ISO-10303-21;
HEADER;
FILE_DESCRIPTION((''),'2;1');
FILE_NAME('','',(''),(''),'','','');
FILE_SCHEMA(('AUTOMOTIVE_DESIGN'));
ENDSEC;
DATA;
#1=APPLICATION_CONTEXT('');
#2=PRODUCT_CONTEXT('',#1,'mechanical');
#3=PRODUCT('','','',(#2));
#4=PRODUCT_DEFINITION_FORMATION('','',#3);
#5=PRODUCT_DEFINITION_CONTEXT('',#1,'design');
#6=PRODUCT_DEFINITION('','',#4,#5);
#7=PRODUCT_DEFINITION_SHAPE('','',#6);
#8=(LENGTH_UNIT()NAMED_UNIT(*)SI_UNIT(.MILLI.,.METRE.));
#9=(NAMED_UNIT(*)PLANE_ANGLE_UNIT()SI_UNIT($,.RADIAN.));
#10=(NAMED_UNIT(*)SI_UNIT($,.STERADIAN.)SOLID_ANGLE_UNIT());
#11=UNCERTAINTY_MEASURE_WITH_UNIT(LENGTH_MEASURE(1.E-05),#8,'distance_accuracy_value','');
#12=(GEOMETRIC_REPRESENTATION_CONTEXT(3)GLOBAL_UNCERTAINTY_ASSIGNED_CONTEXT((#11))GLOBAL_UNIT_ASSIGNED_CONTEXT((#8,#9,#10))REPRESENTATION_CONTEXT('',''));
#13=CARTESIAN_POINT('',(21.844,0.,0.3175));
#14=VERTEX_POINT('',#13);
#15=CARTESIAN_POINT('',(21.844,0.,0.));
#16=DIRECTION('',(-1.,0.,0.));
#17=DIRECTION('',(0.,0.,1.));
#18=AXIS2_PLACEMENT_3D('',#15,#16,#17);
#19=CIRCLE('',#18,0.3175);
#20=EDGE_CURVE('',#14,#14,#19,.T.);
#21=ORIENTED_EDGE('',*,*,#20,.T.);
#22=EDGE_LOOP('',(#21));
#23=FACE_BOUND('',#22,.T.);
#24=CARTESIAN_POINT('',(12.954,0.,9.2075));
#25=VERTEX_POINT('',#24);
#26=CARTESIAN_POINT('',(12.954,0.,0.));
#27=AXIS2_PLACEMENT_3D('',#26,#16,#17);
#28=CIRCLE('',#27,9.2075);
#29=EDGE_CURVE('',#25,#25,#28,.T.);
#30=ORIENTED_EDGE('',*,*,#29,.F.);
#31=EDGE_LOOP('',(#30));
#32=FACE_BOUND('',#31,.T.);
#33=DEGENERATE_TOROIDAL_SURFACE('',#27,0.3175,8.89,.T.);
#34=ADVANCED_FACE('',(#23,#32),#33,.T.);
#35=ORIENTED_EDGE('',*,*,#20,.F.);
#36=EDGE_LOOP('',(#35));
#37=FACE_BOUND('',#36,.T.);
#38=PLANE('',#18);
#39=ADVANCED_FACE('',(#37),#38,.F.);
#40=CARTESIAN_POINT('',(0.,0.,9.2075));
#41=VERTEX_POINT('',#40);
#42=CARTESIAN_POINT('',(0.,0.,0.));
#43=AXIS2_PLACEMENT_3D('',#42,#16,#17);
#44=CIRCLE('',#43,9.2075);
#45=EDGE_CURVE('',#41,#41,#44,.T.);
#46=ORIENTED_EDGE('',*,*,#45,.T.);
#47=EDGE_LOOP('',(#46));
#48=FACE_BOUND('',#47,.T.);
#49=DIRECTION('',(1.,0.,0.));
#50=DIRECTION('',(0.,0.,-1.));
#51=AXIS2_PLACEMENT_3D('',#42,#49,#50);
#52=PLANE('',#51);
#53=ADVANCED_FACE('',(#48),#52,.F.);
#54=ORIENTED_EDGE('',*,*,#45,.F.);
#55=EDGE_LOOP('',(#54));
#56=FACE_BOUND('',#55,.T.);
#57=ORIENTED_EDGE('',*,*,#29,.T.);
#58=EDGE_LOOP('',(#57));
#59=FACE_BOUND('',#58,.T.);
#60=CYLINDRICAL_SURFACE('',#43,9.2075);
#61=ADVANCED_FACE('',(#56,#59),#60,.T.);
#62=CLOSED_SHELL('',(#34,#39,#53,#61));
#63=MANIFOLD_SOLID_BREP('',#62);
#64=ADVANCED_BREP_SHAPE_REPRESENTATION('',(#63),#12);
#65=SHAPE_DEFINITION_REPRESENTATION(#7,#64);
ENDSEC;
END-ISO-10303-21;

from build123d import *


with BuildPart() as part:
    # Sketch1 → Revolve1 (revolve)
    with BuildSketch(Plane(origin=(0, 0, 0), x_dir=(1, 0, 0), z_dir=(0, 1, 0)), mode=Mode.PRIVATE) as revolve1_sk:
        with BuildLine():
            Line((0, 0), (21.844, 0))
            Line((21.844, 0), (21.844, 0.3175))
            ThreePointArc((21.844, 0.3175), (19.240179285, 6.603679285), (12.954, 9.2075))
            Line((12.954, 9.2075), (0, 9.2075))
            Line((0, 9.2075), (0, 0))
        make_face()
    revolve(revolve1_sk.sketch.rotate(Axis((0, 0, 0), (1, 0, 0)), 180), axis=Axis((0, 0, 0), (1, 0, 0)))


solid = part.part
